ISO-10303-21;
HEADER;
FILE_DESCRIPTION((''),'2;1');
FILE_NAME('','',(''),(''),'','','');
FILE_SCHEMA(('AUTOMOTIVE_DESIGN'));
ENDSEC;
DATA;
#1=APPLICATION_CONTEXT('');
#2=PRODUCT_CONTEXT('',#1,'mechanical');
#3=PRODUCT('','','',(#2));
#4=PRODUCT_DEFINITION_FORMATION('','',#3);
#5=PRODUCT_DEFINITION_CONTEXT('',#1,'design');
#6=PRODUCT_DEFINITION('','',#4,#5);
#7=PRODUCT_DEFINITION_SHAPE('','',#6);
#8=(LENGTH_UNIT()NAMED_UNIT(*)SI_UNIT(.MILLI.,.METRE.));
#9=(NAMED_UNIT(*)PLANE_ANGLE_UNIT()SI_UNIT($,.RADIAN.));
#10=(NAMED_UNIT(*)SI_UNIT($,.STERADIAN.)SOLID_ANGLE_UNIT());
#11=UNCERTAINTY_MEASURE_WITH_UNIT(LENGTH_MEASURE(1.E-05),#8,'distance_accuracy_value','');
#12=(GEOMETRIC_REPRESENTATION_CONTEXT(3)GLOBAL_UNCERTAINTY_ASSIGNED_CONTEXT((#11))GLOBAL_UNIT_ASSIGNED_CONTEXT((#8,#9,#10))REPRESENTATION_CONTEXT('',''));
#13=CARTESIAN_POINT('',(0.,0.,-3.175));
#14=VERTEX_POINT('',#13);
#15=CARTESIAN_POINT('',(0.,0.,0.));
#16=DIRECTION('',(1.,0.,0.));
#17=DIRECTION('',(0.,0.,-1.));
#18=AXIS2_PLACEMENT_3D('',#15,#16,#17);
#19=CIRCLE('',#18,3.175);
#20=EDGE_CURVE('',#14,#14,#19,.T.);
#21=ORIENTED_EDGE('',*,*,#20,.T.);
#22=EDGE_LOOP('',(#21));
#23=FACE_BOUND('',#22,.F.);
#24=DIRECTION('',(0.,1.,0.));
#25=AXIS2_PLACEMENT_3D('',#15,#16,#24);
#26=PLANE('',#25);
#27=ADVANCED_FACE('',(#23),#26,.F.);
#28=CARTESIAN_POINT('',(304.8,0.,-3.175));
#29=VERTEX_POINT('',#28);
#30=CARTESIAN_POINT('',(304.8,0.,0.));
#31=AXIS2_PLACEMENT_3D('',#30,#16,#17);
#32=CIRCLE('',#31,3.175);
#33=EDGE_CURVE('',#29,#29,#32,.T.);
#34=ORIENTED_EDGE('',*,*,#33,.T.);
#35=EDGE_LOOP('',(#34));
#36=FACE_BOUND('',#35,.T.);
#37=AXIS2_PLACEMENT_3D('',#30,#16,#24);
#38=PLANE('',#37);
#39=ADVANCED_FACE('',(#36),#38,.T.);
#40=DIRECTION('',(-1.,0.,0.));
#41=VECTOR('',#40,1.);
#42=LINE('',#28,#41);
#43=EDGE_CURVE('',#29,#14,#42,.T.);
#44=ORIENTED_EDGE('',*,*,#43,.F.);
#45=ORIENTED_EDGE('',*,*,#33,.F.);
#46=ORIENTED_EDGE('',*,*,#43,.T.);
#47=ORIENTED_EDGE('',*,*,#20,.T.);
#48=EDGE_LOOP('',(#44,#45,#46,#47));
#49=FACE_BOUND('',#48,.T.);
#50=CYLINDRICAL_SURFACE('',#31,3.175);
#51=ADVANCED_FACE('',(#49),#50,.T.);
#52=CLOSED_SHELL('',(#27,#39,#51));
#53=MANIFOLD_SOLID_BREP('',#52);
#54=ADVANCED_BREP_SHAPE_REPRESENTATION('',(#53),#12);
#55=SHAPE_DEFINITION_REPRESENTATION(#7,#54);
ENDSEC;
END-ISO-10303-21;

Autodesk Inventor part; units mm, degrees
ref_plane "YZ Plane" through (0, 0, 0) normal (1, 0, 0) x (0, 1, 0)
ref_plane "XZ Plane" through (0, 0, 0) normal (0, 1, 0) x (-1, 0, 0)
ref_plane "XY Plane" through (0, 0, 0) normal (0, 0, 1) x (1, 0, 0)
sketch "Sketch1" plane through (0, 0, 0) normal (1, 0, 0) x (0, 1, 0)
  circle A0 centre (0, 0) radius 6.35
  dimension "d0" = 12.7
extrude "Extrusion1" add sketch "Sketch1" along normal blind 304.8
sketch "Sketch2" plane through (304.8, 0, 0) normal (1, 0, 0) x (0, 0, -1)
  circle A0 centre (0, 0) radius 4.7625
  circle A1 centre (0, 0) radius 6.35
  dimension "d3" = 9.525
extrude "Extrusion2" cut sketch "Sketch2" against normal blind 385.2875
sketch "Sketch3" plane through (304.8, 0, 0) normal (1, 0, 0) x (0, 0, -1)
  circle A0 centre (0, 0) radius 3.175
  circle A1 centre (0, 0) radius 4.7625 projected
  dimension "d6" = 6.35
extrude "Extrusion3" cut sketch "Sketch3" against normal blind 818.675
properties part number "Guide Shaft" material "Steel, Carbon"
